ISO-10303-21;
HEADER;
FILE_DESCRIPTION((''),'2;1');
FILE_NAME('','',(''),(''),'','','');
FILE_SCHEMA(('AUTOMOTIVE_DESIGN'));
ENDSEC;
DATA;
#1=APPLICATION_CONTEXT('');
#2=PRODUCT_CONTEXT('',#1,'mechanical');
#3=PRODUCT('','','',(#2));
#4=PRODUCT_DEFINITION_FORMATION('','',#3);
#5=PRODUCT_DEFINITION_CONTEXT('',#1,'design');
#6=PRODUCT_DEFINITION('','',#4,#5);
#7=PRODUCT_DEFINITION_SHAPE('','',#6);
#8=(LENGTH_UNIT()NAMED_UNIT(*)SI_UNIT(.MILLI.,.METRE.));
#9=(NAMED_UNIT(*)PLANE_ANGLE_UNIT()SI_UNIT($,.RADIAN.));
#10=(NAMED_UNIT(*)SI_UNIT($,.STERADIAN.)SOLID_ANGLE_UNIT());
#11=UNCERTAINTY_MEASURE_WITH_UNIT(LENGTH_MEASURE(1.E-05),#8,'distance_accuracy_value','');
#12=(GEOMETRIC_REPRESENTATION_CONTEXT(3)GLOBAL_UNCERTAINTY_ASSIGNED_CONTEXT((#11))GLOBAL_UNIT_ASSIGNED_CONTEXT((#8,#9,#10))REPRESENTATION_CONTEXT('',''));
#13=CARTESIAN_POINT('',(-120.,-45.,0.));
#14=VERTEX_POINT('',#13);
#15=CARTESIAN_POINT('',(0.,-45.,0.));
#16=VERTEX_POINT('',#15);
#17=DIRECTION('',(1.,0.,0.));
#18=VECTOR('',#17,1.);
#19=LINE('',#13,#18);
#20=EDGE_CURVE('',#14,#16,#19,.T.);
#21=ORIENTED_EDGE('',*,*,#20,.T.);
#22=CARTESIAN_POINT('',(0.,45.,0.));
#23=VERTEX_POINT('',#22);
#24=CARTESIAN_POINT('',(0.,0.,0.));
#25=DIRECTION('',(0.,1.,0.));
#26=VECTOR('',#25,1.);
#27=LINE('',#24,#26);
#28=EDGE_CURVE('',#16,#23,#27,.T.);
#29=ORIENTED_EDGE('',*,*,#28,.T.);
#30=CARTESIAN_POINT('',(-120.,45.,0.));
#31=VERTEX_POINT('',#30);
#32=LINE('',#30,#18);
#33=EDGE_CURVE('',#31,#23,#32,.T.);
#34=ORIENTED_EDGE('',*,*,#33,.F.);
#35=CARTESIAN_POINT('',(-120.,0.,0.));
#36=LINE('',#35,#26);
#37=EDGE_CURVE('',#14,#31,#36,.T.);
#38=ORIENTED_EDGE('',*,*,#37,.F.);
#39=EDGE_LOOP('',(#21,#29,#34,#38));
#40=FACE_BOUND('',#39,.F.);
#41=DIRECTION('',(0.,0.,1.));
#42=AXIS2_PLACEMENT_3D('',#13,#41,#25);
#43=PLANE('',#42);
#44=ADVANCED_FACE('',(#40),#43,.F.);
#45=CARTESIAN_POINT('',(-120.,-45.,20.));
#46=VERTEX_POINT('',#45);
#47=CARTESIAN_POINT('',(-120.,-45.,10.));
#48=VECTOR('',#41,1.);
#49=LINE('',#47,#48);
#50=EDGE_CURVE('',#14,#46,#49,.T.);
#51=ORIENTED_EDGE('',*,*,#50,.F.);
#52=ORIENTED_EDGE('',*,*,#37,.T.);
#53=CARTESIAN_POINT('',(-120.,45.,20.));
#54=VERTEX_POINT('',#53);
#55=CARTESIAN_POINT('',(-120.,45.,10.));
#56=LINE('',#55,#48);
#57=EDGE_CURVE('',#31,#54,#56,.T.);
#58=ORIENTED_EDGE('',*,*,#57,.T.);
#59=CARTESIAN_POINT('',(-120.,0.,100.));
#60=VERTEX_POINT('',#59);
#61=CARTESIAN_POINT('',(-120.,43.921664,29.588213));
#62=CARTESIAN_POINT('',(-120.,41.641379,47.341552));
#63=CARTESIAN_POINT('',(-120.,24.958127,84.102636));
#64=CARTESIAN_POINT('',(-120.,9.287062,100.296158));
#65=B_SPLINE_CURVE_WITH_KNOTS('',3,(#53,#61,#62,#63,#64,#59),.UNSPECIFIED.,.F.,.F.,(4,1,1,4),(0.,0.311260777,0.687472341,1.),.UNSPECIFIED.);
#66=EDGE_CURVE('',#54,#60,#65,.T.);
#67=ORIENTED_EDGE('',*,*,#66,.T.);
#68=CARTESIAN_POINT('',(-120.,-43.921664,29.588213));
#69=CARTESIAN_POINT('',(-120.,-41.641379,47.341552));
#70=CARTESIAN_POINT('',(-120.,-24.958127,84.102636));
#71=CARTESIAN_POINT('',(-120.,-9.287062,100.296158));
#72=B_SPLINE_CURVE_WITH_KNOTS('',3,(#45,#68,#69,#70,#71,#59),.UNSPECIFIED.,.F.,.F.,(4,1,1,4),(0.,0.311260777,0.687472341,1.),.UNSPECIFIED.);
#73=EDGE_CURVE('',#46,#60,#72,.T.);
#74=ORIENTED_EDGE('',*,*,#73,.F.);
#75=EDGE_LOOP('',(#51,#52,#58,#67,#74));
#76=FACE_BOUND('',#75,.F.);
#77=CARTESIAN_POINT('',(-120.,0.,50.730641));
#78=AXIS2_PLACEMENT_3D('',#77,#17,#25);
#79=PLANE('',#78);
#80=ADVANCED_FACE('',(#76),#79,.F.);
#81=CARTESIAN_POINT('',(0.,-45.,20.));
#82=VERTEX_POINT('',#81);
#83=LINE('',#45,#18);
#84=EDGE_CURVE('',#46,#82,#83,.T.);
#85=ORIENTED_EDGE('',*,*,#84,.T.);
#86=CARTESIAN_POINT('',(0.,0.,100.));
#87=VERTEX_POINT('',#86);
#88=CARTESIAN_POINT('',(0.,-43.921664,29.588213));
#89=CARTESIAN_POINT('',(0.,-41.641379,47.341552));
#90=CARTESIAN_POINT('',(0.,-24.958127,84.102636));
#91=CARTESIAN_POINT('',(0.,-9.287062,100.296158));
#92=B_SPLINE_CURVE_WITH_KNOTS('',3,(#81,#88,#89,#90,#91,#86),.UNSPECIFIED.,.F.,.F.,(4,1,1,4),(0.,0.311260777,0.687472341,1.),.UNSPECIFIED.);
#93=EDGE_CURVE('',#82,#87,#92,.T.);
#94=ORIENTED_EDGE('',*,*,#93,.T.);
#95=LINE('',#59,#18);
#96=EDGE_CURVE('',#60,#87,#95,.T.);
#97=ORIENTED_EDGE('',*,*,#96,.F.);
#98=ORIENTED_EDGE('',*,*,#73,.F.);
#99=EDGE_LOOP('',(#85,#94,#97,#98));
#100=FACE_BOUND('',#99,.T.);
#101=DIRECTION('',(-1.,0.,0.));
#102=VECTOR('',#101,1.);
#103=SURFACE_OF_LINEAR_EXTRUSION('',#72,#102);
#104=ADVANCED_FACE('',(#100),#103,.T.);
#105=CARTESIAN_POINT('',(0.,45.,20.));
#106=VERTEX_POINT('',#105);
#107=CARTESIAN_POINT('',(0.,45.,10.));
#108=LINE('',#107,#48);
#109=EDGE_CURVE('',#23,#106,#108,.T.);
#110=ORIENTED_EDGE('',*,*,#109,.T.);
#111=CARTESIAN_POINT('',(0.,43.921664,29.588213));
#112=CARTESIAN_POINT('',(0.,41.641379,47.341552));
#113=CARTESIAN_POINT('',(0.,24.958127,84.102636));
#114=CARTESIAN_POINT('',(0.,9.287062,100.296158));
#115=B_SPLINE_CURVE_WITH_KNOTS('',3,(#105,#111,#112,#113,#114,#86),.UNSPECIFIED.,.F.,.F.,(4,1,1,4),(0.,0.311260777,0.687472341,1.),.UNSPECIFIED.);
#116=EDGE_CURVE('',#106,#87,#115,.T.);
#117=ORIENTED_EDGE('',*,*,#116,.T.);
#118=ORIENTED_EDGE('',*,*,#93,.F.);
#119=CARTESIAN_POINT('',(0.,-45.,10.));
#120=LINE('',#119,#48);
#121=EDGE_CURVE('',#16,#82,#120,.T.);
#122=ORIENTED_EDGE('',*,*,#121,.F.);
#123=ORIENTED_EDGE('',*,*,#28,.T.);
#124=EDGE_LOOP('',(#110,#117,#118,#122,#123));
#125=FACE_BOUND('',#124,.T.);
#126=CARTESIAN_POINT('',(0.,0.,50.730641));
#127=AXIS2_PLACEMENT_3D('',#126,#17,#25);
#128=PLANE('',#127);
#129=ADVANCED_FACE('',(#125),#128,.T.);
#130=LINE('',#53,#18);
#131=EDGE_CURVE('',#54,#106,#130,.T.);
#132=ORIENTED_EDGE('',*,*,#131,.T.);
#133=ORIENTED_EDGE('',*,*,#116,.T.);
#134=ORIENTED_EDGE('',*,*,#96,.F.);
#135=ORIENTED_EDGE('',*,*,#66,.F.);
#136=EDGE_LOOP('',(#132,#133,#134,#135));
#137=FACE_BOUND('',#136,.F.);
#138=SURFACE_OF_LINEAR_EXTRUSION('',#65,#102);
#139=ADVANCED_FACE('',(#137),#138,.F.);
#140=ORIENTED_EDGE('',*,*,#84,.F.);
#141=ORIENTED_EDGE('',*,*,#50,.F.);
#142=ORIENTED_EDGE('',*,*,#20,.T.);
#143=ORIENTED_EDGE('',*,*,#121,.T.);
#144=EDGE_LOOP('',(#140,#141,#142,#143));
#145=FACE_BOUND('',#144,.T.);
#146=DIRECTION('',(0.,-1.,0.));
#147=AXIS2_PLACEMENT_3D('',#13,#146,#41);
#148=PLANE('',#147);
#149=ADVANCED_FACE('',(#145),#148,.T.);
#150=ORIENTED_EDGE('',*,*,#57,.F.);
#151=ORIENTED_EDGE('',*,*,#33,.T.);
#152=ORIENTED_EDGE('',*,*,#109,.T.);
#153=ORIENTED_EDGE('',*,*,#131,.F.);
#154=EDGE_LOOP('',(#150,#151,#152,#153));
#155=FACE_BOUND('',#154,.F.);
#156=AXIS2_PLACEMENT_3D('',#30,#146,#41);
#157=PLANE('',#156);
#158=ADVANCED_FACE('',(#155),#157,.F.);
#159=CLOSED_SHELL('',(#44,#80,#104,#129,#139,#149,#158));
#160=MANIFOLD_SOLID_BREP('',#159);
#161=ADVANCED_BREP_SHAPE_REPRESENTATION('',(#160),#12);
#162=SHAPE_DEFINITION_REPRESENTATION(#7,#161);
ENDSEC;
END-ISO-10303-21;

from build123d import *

# Parameters (mm, degrees)
F2_W     = 90
F2_H     = 20
F3_DEPTH = 120


with BuildPart() as f3:
    # F2 (on plane+point) → F3 (new body, through all)
    with BuildSketch(Plane.YZ.offset(-120)):
        with BuildLine():
            Line((-45, 20), (45, 20))
            add(Edge.make_bspline(
                [(45, 20), (43.9216641477, 29.5882127436), (41.6413793137, 47.3415516299), (24.9581268912, 84.1026361306), (9.2870616411, 100.2961582598), (0, 100)],
                knots=[0, 0, 0, 0, 0.3112607769, 0.6874723411, 1, 1, 1, 1], degree=3))
            add(Edge.make_bspline(
                [(-45, 20), (-43.9216641477, 29.5882127436), (-41.6413793137, 47.3415516299), (-24.9581268912, 84.1026361306), (-9.2870616411, 100.2961582598), (0, 100)],
                knots=[0, 0, 0, 0, 0.3112607769, 0.6874723411, 1, 1, 1, 1], degree=3))
        make_face()
        with Locations((0, 10)):
            Rectangle(F2_W, F2_H)
    extrude(amount=F3_DEPTH)


solid = f3.part
